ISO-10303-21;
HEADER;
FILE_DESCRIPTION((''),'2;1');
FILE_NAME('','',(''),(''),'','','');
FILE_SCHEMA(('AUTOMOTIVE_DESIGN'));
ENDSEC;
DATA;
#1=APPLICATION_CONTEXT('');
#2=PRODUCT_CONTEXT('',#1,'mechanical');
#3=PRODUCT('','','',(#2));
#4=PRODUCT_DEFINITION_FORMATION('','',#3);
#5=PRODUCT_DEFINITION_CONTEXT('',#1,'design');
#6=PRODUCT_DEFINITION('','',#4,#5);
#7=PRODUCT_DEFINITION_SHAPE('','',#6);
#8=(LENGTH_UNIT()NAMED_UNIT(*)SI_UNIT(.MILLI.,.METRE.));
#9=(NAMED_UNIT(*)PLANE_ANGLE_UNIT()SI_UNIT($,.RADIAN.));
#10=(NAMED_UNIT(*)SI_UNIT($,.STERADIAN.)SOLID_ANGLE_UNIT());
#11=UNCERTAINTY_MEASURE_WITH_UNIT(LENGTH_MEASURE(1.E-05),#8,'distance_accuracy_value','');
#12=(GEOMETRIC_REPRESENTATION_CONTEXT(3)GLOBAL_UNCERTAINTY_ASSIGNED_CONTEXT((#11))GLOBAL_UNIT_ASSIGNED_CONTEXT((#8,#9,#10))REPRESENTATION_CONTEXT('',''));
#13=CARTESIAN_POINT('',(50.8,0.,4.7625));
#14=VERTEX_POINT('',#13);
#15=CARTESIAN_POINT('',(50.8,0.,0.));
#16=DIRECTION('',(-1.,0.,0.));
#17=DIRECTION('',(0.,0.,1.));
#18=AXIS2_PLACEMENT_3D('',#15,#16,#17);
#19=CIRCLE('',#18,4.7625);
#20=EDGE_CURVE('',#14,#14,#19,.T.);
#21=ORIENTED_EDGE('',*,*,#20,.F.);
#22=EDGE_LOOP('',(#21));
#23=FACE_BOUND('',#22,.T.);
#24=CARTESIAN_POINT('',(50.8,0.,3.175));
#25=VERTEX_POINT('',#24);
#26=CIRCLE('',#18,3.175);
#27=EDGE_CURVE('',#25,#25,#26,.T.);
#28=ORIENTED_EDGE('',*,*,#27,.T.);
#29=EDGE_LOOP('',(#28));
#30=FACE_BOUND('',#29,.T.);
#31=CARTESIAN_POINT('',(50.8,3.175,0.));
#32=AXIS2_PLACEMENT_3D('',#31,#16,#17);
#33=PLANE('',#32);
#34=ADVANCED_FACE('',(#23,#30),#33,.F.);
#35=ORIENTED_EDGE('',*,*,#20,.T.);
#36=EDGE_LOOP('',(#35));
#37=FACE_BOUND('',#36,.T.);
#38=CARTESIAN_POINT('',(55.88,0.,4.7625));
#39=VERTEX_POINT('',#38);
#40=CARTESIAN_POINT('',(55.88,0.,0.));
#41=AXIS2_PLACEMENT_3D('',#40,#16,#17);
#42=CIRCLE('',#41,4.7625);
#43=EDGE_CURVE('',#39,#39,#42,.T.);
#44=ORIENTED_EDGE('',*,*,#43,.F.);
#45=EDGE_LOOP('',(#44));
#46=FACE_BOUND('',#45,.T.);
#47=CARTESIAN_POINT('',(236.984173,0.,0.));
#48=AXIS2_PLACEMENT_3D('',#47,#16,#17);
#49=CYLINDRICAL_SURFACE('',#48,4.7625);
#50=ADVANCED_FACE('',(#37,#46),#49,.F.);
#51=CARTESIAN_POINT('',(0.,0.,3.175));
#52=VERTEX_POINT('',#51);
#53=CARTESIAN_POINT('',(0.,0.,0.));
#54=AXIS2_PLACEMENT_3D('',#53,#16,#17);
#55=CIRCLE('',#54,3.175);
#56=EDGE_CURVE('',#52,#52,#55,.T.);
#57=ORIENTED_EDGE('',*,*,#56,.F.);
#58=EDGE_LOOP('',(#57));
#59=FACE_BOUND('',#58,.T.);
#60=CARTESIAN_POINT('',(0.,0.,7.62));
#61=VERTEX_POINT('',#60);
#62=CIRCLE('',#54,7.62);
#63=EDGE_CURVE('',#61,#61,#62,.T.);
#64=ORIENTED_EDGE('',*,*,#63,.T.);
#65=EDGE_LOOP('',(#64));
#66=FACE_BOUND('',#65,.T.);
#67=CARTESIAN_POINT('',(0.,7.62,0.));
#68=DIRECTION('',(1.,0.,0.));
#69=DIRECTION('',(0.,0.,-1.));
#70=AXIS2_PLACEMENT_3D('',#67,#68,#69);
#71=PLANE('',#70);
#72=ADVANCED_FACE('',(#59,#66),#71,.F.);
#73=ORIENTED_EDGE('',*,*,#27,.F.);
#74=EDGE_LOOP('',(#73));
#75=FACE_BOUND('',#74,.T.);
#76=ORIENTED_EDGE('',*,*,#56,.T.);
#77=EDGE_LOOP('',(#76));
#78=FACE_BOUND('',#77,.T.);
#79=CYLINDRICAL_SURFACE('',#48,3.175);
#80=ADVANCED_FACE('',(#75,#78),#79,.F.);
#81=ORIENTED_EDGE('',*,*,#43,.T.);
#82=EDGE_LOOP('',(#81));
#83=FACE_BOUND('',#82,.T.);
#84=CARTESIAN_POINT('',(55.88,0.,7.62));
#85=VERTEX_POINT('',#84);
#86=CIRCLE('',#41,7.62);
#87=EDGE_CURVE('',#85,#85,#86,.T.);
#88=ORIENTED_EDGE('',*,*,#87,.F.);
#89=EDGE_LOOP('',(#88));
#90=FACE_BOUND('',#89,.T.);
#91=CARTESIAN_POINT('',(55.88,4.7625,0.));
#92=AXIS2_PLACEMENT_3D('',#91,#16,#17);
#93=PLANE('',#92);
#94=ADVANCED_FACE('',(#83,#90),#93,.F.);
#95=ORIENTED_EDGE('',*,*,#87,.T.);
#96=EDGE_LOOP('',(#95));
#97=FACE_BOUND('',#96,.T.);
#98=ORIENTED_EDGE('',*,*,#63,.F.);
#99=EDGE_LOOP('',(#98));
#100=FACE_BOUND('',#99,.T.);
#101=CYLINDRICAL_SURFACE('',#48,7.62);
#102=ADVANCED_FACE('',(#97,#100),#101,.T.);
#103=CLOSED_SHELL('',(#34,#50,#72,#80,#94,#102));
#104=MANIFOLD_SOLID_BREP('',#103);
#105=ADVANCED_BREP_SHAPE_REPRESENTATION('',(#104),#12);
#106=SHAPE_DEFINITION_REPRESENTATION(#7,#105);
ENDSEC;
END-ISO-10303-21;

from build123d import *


with BuildPart() as part:
    # Sketch1 → Revolve1 (revolve)
    with BuildSketch(Plane.XY):
        Polygon((0, 3.175), (50.8, 3.175), (50.8, 4.7625), (55.88, 4.7625), (55.88, 7.62), (0, 7.62), align=None)
    revolve(axis=Axis((236.984173224, 0, 0), (1, 0, 0)))


solid = part.part
